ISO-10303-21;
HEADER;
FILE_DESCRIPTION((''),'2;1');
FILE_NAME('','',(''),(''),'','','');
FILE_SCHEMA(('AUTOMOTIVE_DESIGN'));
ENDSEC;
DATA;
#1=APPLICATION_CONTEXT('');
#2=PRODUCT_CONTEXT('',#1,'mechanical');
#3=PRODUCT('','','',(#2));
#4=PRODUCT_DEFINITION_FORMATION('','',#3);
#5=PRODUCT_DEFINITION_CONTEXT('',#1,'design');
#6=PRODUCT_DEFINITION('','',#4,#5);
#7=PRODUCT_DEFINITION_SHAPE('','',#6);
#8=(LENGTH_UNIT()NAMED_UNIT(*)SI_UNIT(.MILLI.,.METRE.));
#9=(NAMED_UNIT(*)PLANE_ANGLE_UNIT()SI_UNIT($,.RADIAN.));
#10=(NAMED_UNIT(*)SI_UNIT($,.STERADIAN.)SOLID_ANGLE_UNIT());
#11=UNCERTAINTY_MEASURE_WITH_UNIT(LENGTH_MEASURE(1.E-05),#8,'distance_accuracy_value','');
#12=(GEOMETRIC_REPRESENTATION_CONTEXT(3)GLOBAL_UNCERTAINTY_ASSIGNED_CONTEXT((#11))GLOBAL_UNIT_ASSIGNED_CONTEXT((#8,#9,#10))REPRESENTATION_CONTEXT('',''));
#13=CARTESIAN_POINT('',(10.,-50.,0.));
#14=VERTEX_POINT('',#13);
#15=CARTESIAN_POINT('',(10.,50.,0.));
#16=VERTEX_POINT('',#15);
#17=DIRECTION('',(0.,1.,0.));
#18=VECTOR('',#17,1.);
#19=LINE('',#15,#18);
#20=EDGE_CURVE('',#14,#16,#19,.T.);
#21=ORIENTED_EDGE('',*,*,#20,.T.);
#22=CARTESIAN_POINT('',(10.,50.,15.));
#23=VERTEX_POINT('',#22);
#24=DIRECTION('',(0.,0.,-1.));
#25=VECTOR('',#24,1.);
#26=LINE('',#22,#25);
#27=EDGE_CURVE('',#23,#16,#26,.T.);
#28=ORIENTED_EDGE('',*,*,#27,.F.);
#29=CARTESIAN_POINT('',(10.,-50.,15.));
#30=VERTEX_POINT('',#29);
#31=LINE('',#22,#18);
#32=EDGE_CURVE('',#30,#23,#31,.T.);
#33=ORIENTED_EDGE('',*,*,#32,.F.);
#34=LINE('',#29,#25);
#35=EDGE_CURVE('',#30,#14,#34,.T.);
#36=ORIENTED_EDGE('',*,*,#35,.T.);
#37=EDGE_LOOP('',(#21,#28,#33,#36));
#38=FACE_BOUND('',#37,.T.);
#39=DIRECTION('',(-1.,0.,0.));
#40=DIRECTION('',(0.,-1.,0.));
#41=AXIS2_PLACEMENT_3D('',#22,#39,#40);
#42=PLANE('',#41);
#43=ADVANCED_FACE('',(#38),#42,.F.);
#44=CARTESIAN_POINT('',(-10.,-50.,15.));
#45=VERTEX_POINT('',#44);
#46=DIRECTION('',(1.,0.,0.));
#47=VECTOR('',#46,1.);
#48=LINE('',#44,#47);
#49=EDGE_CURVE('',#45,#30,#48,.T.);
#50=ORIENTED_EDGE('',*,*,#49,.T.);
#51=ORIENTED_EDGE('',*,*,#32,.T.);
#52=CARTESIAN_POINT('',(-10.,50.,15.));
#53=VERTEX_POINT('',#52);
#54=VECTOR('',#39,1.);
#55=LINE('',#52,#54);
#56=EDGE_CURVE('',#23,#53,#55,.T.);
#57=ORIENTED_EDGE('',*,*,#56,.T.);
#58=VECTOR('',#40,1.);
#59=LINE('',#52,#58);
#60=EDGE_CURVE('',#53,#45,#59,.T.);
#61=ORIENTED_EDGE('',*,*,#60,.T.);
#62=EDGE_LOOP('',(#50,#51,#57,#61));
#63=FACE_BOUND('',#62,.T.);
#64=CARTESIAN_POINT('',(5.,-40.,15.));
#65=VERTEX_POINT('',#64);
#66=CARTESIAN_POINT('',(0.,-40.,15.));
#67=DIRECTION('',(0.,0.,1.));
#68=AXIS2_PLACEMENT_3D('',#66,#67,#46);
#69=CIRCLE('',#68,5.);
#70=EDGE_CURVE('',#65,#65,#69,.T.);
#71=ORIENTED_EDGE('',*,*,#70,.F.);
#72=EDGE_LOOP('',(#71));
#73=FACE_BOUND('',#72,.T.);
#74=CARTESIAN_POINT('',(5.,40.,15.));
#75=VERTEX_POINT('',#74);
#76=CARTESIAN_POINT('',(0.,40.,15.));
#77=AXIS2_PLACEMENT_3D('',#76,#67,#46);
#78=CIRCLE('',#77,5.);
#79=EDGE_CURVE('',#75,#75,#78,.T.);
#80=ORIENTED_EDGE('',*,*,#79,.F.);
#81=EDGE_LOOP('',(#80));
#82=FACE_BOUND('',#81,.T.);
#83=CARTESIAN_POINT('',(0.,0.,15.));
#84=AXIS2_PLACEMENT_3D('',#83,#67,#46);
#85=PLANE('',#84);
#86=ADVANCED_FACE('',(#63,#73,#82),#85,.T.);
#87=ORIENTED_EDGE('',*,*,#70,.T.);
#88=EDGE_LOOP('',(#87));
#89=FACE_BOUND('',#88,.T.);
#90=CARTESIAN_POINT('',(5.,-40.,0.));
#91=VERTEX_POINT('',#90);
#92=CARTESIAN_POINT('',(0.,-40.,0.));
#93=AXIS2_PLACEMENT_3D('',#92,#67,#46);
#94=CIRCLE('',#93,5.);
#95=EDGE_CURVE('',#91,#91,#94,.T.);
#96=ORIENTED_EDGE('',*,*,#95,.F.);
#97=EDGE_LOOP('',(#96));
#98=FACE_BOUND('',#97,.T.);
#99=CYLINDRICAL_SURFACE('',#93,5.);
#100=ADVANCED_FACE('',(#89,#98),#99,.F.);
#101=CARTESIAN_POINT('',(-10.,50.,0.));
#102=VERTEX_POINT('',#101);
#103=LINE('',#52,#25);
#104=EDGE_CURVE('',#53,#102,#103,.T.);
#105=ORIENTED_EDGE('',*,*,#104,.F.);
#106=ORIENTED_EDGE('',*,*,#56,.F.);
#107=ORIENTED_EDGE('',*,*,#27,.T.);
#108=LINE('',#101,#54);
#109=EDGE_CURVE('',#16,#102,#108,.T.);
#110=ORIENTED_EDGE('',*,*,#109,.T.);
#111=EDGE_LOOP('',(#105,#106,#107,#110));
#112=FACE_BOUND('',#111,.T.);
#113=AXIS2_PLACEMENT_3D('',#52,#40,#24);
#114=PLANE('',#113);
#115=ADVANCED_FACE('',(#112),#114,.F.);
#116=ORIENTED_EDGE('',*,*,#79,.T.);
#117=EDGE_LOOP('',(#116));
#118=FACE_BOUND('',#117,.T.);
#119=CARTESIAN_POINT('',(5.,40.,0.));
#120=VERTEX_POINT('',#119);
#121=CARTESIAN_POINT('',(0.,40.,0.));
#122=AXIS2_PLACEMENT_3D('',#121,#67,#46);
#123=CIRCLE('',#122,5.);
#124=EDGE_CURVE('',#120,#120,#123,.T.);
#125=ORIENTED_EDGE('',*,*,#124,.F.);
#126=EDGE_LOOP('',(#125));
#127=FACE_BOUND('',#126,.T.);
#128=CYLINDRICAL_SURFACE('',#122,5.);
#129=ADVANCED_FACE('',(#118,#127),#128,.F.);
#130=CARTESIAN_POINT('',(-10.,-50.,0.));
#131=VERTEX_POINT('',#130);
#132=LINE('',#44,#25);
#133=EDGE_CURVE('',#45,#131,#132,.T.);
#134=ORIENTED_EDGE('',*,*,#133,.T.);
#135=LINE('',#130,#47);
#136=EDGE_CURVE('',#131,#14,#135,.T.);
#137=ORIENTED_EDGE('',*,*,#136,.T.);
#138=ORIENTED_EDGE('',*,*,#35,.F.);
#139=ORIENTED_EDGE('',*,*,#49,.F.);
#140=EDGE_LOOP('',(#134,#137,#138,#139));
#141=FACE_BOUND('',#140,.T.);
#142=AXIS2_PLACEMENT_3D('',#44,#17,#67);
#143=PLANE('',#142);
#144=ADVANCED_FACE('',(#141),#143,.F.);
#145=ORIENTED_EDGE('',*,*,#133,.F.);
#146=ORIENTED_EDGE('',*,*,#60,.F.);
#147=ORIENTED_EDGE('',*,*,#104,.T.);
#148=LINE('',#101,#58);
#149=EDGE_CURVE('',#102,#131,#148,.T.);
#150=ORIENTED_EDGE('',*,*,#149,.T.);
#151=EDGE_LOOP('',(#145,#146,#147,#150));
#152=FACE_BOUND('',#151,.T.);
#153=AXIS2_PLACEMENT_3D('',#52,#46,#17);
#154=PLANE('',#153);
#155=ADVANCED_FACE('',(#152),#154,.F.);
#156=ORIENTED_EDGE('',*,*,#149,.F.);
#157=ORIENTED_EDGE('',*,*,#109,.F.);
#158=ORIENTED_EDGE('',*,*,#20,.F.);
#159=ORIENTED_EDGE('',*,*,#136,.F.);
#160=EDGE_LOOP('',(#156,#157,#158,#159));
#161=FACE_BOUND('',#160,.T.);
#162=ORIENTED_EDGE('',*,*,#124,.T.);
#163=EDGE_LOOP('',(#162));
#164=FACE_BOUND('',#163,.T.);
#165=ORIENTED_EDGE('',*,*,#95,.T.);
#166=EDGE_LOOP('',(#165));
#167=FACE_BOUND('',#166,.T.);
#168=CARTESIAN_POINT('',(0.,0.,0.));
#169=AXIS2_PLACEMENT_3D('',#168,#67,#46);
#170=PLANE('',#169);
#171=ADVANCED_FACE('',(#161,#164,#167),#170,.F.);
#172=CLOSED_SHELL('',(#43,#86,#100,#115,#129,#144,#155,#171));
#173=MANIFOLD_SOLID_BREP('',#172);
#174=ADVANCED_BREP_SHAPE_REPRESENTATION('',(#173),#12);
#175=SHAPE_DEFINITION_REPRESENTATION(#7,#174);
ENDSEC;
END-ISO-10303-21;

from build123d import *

# Parameters (mm, degrees)
SKETCH1_W           = 20
SKETCH1_H           = 100
BOSS_EXTRUDE1_DEPTH = 15
SKETCH2_R           = 5
CUT_EXTRUDE1_DEPTH  = 15


with BuildPart() as part:
    # Sketch1 → Boss-Extrude1 (new body)
    with BuildSketch(Plane.XY):
        Rectangle(SKETCH1_W, SKETCH1_H)
    extrude(amount=BOSS_EXTRUDE1_DEPTH)

    # Sketch2 → Cut-Extrude1 (cut)
    with BuildSketch(Plane.XY.offset(15)):
        with Locations((0, 40)):
            Circle(SKETCH2_R)
        with Locations((0, -40)):
            Circle(SKETCH2_R)
    extrude(amount=-CUT_EXTRUDE1_DEPTH, mode=Mode.SUBTRACT)


solid = part.part
